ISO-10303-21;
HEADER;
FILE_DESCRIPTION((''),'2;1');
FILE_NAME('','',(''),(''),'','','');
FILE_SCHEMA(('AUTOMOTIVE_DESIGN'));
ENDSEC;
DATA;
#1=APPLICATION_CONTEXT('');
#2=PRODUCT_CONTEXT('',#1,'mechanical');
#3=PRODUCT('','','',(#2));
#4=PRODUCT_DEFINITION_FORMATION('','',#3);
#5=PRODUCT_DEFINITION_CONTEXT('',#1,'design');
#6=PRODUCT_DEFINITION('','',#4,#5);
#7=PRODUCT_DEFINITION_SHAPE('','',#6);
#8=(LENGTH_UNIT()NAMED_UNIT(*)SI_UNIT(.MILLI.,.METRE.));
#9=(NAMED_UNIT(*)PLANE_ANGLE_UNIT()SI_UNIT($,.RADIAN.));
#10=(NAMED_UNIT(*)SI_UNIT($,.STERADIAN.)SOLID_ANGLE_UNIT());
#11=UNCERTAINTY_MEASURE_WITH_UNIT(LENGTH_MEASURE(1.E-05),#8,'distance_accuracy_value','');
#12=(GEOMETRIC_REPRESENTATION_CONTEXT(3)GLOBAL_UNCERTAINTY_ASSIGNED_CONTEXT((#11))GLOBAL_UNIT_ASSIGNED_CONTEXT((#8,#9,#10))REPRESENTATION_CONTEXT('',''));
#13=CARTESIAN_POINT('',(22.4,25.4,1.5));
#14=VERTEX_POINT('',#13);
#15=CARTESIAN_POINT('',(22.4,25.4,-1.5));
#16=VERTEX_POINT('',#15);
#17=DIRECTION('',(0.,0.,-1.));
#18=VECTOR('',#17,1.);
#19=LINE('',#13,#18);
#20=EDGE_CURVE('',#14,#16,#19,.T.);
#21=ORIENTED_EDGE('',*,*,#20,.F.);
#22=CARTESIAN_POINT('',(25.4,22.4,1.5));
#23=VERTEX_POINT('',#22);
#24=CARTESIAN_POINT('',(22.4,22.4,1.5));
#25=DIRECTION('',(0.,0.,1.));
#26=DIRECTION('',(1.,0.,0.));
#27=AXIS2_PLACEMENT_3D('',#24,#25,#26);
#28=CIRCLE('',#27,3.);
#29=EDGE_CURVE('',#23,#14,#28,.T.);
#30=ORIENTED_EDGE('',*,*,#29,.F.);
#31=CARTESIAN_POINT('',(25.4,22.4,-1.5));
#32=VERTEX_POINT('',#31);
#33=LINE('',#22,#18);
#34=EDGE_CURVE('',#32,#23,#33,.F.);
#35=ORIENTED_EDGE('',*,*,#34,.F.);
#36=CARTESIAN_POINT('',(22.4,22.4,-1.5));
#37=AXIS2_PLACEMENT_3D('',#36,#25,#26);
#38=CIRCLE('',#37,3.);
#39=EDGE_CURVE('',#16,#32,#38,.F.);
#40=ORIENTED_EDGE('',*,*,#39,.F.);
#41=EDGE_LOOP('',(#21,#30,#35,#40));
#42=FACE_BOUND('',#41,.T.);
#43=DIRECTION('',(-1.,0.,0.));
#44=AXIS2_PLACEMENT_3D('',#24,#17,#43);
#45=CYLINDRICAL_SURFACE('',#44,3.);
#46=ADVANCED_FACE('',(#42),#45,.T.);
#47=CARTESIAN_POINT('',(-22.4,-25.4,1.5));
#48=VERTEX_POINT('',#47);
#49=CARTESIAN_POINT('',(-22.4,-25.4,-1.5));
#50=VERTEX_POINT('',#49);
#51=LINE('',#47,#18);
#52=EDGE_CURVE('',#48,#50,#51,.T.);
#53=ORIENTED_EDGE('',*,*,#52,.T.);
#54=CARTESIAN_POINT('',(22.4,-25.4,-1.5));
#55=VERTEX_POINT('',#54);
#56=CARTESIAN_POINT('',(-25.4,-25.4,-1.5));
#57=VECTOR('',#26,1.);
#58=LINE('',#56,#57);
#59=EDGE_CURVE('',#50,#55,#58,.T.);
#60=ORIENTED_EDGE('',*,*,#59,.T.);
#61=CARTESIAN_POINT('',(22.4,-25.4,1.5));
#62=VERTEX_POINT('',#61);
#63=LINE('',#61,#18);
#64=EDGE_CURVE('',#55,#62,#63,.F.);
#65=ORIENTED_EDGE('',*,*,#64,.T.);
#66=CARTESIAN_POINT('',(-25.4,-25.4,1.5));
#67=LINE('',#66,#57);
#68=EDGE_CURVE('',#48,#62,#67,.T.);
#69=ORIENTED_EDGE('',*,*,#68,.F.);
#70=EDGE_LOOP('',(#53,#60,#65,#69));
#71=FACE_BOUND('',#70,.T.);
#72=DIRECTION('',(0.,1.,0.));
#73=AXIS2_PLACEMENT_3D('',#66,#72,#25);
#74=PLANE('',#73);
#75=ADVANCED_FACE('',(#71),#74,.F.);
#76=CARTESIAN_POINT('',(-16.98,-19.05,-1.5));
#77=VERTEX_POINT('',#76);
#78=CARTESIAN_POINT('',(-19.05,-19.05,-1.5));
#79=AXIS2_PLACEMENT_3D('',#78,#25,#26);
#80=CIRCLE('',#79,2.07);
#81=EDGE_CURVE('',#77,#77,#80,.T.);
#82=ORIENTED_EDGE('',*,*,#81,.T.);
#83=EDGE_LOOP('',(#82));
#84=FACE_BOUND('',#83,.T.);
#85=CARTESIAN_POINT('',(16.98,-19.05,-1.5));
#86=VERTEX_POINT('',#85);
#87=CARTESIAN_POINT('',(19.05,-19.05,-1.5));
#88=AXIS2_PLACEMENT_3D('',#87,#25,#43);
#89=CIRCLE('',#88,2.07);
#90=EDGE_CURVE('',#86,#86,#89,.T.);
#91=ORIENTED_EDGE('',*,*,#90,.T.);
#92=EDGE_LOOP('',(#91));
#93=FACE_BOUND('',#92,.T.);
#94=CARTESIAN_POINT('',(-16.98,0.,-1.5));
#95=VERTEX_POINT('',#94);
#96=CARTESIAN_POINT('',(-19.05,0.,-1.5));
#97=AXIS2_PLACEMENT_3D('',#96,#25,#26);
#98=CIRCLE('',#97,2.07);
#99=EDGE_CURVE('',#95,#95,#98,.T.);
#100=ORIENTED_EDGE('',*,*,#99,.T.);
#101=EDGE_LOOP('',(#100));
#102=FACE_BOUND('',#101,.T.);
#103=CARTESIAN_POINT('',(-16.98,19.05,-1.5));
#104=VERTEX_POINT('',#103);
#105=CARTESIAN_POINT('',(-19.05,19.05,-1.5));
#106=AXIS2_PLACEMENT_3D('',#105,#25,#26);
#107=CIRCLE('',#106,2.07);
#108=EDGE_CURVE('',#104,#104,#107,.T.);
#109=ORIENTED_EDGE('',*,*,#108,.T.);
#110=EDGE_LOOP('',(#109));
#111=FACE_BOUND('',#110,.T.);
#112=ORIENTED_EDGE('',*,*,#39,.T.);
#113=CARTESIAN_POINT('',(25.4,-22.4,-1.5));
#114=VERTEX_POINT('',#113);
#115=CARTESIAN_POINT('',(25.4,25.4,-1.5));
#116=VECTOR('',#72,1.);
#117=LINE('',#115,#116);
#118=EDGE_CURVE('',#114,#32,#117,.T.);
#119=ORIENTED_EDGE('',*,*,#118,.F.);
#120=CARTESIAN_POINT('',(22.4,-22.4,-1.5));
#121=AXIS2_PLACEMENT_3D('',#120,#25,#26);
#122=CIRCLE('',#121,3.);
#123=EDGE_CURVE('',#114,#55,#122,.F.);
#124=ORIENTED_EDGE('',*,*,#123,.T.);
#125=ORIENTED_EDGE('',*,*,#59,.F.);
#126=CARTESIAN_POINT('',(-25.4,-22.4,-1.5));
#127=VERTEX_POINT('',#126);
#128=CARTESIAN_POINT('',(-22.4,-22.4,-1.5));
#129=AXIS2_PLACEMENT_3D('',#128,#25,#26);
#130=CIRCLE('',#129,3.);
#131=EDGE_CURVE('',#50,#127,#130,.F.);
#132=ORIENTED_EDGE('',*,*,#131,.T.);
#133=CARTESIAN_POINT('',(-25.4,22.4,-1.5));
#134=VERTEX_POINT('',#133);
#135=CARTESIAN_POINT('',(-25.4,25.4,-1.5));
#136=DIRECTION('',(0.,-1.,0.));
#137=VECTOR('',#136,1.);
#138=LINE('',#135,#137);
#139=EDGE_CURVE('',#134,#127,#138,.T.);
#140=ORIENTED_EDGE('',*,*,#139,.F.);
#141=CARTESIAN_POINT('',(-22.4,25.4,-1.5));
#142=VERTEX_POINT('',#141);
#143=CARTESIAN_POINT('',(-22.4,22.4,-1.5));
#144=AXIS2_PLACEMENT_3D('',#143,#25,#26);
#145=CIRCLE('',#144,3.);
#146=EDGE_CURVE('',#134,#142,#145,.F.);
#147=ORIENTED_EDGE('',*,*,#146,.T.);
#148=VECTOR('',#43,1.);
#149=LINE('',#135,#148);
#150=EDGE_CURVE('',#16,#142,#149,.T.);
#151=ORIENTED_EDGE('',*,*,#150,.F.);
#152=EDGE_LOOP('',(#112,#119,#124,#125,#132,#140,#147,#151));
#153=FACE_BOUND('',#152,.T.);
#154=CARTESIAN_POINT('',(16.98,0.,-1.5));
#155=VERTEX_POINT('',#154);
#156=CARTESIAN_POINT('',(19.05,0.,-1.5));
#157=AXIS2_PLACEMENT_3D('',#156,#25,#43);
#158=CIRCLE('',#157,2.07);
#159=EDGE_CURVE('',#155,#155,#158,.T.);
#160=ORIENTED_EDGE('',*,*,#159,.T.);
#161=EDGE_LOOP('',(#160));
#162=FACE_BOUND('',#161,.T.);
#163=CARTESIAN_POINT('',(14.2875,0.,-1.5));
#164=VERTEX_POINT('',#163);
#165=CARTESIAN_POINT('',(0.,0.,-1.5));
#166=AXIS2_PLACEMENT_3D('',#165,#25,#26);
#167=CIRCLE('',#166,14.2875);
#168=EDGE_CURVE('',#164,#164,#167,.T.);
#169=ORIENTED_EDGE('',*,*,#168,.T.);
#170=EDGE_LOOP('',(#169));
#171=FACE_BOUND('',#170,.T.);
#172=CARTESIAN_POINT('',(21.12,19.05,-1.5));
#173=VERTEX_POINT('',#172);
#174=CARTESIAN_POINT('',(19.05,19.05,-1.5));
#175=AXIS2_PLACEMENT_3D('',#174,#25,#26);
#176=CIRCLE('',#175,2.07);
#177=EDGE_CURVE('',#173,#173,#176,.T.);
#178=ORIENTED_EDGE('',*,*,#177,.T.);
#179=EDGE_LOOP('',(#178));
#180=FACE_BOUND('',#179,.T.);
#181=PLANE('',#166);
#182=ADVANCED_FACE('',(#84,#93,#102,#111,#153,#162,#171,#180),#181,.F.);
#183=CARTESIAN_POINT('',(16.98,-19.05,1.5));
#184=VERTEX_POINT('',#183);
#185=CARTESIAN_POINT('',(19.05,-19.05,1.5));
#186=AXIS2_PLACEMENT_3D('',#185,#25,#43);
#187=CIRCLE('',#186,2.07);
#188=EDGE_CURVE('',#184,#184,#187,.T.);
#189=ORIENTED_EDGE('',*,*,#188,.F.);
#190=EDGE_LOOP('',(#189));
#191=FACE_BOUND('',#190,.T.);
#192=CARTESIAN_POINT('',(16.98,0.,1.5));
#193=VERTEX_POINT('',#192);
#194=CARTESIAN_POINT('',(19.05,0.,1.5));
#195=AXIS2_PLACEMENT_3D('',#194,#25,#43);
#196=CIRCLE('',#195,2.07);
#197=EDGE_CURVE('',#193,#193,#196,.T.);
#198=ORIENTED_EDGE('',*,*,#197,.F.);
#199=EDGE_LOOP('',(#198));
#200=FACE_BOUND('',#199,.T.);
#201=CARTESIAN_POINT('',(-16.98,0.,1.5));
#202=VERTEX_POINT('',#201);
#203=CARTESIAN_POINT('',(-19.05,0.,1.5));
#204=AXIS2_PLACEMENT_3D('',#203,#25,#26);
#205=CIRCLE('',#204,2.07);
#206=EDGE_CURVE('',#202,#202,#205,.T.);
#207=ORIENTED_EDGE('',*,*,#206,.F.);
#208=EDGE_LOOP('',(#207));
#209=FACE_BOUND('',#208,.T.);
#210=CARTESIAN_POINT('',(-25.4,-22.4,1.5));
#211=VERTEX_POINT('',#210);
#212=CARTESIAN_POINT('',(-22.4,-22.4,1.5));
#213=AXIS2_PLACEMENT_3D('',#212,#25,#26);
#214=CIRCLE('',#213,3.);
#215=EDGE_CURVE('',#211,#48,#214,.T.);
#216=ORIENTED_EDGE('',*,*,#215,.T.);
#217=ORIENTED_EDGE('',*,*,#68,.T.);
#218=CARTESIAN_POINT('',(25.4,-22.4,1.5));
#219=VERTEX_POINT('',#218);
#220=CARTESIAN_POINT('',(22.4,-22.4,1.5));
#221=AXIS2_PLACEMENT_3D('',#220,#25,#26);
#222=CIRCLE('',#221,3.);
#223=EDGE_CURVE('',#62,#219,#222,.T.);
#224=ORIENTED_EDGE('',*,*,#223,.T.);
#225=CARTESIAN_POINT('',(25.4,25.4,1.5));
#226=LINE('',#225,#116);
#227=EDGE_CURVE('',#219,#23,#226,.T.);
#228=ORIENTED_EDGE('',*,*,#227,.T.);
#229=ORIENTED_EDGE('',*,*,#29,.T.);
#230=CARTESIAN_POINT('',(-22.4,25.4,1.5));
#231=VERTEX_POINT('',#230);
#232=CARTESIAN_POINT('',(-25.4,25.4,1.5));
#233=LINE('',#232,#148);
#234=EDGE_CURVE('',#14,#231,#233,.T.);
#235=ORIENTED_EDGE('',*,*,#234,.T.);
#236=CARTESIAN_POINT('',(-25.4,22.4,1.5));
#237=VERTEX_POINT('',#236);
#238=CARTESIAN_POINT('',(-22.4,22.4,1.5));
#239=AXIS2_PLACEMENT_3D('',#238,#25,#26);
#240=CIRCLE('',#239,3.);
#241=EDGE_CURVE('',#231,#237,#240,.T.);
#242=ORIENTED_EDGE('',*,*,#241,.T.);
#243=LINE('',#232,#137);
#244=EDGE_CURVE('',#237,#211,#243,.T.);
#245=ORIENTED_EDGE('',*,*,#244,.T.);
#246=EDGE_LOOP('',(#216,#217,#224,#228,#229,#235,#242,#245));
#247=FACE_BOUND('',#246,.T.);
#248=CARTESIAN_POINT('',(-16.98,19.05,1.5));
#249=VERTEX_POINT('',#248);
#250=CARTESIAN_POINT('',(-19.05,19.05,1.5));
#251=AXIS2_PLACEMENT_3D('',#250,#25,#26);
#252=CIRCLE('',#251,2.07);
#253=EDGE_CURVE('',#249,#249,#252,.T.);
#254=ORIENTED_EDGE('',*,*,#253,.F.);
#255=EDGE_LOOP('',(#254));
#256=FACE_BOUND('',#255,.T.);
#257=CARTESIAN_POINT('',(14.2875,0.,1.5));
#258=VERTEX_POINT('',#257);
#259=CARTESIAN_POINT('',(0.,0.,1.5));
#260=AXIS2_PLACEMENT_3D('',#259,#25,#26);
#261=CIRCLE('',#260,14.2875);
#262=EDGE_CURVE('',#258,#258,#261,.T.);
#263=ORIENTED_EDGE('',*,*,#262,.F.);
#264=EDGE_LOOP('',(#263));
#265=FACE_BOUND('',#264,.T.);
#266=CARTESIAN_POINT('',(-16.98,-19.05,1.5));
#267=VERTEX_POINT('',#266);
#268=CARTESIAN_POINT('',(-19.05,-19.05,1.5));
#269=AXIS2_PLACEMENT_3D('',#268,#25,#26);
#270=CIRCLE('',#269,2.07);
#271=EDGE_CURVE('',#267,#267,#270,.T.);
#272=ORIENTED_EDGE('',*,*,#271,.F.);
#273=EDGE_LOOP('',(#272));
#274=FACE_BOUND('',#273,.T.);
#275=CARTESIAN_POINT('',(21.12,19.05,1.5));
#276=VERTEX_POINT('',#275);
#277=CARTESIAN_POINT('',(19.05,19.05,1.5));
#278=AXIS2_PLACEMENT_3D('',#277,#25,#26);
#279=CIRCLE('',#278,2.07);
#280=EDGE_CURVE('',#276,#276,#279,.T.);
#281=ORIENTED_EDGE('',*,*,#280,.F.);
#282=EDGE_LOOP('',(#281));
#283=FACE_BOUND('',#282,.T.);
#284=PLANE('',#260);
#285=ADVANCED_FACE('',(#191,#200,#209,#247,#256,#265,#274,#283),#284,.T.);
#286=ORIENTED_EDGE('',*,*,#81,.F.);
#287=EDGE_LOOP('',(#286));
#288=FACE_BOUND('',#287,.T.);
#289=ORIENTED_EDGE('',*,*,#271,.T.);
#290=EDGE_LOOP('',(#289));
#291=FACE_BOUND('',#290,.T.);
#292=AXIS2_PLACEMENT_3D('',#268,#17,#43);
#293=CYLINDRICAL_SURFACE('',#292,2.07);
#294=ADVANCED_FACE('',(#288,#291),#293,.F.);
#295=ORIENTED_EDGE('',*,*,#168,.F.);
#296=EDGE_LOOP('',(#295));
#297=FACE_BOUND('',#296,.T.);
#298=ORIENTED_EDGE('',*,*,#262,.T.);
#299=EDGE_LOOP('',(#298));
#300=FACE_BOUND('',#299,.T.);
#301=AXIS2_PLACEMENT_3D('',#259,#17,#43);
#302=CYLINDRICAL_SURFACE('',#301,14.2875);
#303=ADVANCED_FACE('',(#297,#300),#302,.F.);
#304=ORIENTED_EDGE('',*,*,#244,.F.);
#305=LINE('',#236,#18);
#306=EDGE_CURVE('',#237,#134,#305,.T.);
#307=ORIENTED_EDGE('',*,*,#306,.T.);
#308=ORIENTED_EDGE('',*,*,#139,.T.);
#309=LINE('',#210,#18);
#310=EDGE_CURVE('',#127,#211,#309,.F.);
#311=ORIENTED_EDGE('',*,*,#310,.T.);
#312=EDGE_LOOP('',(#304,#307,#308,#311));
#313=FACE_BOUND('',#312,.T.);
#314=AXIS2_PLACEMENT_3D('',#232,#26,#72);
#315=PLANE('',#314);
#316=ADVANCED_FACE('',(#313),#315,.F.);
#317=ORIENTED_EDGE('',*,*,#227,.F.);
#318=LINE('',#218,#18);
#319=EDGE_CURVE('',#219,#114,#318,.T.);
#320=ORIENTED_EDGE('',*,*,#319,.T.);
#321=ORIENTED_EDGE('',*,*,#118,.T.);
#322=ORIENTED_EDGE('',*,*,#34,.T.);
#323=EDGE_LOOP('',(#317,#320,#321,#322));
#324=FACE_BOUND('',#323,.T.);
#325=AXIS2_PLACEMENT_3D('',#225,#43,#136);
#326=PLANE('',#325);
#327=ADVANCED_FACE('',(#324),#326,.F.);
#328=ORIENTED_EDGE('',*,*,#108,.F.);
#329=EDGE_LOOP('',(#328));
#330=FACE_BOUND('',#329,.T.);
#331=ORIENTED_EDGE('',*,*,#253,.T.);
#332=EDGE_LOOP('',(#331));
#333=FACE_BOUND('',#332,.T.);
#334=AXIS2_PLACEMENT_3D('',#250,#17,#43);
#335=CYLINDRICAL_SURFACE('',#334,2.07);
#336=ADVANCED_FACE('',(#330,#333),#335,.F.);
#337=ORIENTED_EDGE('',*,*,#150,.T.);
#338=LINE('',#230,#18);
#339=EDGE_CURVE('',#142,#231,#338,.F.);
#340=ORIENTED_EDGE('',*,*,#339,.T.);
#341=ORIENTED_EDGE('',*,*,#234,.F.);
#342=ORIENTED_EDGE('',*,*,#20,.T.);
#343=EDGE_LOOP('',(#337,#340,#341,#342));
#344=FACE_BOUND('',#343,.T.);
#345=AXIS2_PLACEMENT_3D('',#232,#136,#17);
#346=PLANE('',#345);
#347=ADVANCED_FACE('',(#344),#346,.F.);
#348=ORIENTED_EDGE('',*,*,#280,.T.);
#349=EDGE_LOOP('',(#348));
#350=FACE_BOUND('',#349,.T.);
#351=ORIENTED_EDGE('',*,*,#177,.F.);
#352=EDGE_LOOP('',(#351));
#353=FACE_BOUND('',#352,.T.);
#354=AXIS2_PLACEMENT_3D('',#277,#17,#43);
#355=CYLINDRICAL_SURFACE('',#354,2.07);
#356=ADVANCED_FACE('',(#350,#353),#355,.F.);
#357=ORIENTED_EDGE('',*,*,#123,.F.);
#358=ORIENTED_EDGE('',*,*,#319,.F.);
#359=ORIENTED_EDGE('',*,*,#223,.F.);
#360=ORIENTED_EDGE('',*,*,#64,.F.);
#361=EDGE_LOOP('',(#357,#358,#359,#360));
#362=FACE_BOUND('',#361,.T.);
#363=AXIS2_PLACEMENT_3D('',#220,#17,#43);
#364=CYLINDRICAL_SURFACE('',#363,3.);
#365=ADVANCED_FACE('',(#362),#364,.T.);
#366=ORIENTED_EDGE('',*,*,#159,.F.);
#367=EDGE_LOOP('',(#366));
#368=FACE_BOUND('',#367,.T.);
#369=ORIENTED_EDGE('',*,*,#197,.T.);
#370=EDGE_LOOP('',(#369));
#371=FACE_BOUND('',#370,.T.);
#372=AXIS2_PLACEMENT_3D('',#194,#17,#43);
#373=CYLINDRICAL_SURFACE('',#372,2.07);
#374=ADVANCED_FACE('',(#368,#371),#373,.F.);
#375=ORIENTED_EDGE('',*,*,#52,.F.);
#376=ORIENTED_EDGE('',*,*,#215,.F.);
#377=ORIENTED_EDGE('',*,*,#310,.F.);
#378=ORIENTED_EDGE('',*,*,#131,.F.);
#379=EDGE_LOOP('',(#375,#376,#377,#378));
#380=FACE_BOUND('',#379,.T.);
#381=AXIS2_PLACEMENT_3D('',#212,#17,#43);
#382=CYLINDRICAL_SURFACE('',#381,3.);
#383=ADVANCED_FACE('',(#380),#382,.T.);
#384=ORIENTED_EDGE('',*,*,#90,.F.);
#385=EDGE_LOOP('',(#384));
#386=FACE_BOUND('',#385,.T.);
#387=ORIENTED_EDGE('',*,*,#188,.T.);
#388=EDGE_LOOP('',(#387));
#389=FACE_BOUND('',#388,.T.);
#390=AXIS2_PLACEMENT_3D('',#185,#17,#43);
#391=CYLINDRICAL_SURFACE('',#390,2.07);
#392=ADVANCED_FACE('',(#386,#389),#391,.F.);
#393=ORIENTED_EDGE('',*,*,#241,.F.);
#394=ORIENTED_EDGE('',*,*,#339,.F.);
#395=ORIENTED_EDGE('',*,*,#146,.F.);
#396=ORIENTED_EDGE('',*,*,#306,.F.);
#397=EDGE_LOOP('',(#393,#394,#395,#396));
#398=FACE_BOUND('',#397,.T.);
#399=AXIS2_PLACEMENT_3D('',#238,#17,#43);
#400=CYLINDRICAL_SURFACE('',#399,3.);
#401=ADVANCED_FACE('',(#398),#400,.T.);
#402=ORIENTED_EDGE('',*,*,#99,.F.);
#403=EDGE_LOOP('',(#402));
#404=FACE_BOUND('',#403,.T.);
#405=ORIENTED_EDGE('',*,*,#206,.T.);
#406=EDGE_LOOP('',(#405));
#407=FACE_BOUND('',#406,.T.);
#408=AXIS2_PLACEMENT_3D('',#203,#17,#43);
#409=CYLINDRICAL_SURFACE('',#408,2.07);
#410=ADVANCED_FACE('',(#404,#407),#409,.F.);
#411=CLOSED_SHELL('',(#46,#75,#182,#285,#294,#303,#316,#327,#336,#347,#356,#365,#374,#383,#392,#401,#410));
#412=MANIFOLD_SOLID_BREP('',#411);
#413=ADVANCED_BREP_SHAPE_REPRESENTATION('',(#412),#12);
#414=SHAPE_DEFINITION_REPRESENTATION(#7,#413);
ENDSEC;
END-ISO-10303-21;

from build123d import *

# Parameters (mm, degrees)
SKETCH1_W           = 50.8
SKETCH1_H           = 50.8
SKETCH1_R           = 14.2875
SKETCH1_R_2         = 2.07
BOSS_EXTRUDE1_DEPTH = 1.5
FILLET1_R           = 3


with BuildPart() as part:
    # Sketch1 → Boss-Extrude1 (new, symmetric)
    with BuildSketch(Plane.XY):
        Rectangle(SKETCH1_W, SKETCH1_H)
        Circle(SKETCH1_R, mode=Mode.SUBTRACT)
        with Locations((-19.05, 19.05)):
            Circle(SKETCH1_R_2, mode=Mode.SUBTRACT)
        with Locations(Location((19.05, -19.05, 0), (0, 0, 180))):
            Circle(SKETCH1_R_2, mode=Mode.SUBTRACT)
        with Locations((19.05, 19.05)):
            Circle(SKETCH1_R_2, mode=Mode.SUBTRACT)
        with Locations((-19.05, -19.05)):
            Circle(SKETCH1_R_2, mode=Mode.SUBTRACT)
        with Locations((-19.05, 0)):
            Circle(SKETCH1_R_2, mode=Mode.SUBTRACT)
        with Locations(Location((19.05, 0, 0), (0, 0, 180))):
            Circle(SKETCH1_R_2, mode=Mode.SUBTRACT)
    extrude(amount=BOSS_EXTRUDE1_DEPTH, both=True)

    # Fillet1
    fillet1_edges = [part.edges().sort_by_distance(p)[0] for p in [
        (25.4, -25.4, 0),
        (-25.4, -25.4, 0),
        (-25.4, 25.4, 0),
        (25.4, 25.4, 0),
    ]]
    fillet(fillet1_edges, radius=FILLET1_R)


solid = part.part
